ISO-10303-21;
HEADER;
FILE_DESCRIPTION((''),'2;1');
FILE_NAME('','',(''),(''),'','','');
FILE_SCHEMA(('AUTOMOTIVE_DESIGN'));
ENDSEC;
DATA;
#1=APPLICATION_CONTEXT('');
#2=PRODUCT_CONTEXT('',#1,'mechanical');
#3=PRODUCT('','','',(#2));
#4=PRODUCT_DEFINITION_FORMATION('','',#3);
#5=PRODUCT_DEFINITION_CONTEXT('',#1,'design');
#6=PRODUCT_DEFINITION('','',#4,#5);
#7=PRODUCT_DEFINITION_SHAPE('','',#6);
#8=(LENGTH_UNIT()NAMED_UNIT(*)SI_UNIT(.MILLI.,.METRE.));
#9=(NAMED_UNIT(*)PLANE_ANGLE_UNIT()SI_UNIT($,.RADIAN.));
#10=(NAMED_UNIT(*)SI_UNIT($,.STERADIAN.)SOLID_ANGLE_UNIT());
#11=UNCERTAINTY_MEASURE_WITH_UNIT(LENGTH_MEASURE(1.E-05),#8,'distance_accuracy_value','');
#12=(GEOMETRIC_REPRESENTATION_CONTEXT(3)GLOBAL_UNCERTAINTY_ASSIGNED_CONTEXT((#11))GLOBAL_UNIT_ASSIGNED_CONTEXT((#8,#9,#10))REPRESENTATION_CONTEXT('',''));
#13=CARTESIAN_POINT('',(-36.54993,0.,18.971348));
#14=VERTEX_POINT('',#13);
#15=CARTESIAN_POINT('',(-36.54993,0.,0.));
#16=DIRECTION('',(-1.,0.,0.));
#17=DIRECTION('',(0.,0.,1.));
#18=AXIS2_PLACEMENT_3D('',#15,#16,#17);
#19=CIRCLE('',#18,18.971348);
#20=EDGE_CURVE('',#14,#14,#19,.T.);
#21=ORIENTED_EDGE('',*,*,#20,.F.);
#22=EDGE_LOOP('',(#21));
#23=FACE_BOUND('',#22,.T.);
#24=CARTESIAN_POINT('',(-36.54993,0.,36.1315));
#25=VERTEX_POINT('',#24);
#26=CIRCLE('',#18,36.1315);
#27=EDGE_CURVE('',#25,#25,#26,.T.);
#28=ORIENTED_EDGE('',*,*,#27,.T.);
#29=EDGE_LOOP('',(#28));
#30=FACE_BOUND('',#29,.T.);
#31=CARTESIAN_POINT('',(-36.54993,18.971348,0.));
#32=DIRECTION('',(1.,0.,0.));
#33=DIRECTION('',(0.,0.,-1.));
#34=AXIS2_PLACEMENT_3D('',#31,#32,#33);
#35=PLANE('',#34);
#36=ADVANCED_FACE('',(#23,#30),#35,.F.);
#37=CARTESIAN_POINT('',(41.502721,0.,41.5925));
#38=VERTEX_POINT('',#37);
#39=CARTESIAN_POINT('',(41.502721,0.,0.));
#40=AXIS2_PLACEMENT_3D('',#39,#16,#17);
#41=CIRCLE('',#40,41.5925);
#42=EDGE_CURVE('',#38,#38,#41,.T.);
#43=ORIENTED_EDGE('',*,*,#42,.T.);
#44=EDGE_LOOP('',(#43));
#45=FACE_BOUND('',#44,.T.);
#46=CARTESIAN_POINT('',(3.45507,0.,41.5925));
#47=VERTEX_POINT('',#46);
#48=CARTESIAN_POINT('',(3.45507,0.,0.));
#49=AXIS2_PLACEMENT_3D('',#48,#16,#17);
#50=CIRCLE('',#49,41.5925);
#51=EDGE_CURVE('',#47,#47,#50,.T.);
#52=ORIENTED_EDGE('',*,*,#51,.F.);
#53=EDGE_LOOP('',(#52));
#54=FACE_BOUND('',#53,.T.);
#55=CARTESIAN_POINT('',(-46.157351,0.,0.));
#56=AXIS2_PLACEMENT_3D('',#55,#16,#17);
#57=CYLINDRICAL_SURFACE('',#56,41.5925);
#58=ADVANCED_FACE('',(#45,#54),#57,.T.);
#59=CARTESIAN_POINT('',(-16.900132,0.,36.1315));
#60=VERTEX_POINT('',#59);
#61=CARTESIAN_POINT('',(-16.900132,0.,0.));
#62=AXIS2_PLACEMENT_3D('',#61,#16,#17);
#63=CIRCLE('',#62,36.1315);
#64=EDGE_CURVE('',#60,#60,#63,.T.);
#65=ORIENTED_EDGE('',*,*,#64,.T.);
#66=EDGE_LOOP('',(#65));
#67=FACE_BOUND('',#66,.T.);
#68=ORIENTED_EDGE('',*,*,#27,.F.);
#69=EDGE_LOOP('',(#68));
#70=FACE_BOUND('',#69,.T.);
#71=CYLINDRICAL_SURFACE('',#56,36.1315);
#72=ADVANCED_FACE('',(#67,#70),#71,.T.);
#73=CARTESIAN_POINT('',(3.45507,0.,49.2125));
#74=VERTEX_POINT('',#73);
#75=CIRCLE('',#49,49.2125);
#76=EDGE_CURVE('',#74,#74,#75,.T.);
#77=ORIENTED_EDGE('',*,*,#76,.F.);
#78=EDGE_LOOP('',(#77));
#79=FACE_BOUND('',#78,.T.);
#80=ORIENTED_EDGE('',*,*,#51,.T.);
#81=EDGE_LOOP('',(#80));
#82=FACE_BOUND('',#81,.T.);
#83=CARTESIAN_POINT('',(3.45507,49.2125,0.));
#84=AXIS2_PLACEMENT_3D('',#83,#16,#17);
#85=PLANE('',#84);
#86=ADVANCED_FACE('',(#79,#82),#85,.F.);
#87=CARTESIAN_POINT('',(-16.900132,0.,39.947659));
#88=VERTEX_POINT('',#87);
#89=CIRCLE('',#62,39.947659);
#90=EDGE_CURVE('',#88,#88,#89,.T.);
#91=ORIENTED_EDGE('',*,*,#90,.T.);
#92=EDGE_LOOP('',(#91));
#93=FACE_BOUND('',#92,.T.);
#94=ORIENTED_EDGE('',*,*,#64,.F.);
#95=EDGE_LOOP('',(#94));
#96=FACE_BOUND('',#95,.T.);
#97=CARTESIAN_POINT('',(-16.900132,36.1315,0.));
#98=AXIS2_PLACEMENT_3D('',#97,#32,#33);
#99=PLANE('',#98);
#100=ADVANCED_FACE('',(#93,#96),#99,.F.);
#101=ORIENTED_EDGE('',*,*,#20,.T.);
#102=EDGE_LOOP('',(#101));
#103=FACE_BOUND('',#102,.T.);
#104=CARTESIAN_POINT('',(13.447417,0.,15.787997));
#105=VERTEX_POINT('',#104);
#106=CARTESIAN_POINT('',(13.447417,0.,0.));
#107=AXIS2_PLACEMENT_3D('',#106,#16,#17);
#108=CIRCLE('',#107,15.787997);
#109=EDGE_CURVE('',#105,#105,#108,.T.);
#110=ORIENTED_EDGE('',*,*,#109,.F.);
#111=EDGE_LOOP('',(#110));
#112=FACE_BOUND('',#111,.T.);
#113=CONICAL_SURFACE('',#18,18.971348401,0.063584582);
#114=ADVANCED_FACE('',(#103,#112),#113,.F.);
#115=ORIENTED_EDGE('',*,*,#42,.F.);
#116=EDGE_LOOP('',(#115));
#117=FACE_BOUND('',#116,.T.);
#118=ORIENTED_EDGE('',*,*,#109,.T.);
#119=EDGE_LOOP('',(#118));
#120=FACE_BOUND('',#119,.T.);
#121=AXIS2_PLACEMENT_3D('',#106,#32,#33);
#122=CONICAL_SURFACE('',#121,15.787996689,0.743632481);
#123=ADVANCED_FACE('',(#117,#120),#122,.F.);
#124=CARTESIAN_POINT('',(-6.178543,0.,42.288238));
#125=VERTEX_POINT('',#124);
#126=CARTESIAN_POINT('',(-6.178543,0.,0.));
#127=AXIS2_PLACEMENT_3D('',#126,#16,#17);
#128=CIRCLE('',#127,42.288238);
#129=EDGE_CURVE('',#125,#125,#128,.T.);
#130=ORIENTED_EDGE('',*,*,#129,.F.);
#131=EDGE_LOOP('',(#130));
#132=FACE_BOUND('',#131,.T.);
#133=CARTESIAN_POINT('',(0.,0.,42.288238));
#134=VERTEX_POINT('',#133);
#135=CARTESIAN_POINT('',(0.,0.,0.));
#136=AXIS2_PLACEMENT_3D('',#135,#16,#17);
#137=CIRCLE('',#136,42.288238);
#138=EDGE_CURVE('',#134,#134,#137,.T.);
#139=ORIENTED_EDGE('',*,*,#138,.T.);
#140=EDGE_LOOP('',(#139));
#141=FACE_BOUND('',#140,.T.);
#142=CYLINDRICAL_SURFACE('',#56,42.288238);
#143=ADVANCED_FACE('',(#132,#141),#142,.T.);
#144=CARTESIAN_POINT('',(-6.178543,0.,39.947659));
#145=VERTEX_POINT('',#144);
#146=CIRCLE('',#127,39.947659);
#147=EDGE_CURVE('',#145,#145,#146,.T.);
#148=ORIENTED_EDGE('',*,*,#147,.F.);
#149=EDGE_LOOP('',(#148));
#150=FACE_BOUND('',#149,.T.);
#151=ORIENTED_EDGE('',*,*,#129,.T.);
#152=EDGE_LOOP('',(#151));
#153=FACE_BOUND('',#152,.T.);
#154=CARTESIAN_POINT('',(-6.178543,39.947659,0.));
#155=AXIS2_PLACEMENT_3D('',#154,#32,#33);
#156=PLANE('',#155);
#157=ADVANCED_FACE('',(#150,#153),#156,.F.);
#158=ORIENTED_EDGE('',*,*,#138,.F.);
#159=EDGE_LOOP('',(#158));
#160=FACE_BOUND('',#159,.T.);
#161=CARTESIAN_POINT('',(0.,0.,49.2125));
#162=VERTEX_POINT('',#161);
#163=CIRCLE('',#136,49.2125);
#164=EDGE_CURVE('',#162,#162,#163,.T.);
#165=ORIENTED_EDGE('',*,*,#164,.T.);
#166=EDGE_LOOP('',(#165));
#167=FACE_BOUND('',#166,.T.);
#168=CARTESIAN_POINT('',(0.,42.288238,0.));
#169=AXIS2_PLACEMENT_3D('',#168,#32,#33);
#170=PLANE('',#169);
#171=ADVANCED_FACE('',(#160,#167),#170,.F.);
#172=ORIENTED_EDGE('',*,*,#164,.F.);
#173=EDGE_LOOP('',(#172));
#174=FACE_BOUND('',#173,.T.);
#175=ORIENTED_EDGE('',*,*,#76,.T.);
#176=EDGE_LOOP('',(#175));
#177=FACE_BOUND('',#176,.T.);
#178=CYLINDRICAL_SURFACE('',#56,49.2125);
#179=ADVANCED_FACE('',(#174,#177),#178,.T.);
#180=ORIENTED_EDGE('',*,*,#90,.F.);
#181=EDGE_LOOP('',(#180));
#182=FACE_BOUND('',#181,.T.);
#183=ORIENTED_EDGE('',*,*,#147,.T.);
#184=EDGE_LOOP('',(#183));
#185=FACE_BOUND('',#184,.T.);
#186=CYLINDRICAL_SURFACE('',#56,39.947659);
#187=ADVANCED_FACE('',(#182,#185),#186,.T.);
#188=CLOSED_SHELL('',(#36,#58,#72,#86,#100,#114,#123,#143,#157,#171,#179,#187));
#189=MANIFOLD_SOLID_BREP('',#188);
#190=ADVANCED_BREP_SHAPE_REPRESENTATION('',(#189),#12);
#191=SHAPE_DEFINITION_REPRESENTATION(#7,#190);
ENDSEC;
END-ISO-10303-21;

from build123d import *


with BuildPart() as part:
    # Sketch1 → Revolve1 (revolve)
    with BuildSketch(Plane.XY, mode=Mode.PRIVATE) as revolve1_sk:
        Polygon((-36.549930259, 18.971348401), (-36.549930259, 36.1315), (-16.90013245, 36.1315), (-16.90013245, 39.94765894), (-6.178543046, 39.94765894), (-6.178543046, 42.288238411), (0, 42.288238411), (0, 49.2125), (3.455069741, 49.2125), (3.455069741, 41.5925), (41.502721041, 41.5925), (13.447417219, 15.787996689), align=None)
    revolve(revolve1_sk.sketch.rotate(Axis((-46.157350993, 0, 0), (1, 0, 0)), 90), axis=Axis((-46.157350993, 0, 0), (1, 0, 0)))


solid = part.part
